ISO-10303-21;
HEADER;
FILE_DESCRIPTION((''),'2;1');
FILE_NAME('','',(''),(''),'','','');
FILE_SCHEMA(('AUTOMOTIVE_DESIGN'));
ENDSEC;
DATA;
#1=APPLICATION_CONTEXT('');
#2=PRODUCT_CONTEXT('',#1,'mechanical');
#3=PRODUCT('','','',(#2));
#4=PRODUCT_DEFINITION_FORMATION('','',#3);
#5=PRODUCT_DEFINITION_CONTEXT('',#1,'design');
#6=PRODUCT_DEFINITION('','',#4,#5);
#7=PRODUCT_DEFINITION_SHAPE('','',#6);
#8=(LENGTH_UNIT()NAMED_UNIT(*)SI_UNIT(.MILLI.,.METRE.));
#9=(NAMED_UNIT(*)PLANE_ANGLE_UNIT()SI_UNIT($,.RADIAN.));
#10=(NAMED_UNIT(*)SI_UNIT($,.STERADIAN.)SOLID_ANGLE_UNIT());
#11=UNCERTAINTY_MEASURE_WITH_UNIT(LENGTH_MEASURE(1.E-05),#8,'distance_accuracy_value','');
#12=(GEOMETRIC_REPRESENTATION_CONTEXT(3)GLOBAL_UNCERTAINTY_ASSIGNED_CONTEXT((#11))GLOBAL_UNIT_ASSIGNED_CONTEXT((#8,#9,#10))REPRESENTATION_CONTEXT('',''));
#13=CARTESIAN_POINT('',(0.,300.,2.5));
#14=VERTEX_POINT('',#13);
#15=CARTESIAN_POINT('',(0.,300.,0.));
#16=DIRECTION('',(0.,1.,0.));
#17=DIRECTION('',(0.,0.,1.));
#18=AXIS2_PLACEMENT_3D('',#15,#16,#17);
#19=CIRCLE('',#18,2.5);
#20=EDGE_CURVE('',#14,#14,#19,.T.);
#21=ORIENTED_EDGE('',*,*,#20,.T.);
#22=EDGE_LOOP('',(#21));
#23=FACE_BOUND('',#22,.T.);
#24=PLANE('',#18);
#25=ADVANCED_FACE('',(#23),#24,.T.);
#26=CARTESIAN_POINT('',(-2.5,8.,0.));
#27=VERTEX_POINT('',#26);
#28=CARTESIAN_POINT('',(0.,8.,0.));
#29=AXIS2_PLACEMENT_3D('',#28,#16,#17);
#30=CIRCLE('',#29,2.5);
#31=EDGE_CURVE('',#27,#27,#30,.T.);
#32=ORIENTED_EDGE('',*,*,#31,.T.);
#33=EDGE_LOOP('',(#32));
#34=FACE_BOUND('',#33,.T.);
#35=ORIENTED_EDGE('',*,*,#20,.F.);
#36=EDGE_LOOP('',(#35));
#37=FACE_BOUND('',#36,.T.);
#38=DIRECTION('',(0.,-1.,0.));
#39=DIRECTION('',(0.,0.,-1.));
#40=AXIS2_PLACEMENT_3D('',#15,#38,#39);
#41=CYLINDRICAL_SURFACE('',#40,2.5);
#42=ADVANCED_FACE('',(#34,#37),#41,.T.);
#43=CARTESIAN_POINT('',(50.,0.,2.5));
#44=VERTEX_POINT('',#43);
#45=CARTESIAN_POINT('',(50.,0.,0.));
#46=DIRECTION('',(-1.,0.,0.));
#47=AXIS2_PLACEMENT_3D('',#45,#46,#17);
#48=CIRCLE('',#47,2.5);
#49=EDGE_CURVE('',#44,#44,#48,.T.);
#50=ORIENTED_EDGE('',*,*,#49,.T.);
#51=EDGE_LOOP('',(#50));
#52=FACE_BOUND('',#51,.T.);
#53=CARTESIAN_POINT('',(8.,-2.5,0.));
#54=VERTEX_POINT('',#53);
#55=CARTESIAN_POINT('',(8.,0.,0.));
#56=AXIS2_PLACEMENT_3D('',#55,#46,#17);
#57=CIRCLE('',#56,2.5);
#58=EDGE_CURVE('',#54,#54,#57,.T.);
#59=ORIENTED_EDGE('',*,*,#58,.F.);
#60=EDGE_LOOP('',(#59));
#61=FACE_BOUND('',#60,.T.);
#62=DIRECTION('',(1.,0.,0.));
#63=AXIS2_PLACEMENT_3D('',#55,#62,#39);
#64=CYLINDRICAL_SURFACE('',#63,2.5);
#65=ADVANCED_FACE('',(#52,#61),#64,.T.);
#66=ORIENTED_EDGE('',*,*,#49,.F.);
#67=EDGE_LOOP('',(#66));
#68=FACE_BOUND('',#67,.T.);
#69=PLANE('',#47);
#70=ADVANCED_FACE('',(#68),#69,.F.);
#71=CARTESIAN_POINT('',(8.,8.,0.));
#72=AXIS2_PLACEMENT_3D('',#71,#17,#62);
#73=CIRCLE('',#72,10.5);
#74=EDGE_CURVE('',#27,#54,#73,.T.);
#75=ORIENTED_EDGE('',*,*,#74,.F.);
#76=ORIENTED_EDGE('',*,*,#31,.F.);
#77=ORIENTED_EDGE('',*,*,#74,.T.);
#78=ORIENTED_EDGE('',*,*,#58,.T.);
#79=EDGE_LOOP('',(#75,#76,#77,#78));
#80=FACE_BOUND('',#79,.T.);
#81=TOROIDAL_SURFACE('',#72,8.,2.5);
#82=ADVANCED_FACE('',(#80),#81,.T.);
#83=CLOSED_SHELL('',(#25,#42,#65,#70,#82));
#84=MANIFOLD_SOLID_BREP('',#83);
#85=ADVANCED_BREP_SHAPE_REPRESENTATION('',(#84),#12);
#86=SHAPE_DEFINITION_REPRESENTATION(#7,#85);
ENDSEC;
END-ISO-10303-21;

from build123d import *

# Parameters (mm, degrees)
VARREDURA2_PROFILE_R = 2.5


with BuildPart() as part:
    # Varredura2: sweep along a path in Esboço1
    with BuildLine(Plane.XY) as varredura2_path:
        Line((0, 300), (0, 8))
        ThreePointArc((0, 8), (2.343145751, 2.343145751), (8, 0))
        Line((8, 0), (50, 0))
    # Varredura2 profile (on start of the path) → Varredura2 (sweep)
    with BuildSketch(Plane(origin=(0, 300, 0), x_dir=(0, 0, -1), z_dir=(0, -1, 0))):
        Circle(VARREDURA2_PROFILE_R)
    sweep(path=varredura2_path.line)


solid = part.part
